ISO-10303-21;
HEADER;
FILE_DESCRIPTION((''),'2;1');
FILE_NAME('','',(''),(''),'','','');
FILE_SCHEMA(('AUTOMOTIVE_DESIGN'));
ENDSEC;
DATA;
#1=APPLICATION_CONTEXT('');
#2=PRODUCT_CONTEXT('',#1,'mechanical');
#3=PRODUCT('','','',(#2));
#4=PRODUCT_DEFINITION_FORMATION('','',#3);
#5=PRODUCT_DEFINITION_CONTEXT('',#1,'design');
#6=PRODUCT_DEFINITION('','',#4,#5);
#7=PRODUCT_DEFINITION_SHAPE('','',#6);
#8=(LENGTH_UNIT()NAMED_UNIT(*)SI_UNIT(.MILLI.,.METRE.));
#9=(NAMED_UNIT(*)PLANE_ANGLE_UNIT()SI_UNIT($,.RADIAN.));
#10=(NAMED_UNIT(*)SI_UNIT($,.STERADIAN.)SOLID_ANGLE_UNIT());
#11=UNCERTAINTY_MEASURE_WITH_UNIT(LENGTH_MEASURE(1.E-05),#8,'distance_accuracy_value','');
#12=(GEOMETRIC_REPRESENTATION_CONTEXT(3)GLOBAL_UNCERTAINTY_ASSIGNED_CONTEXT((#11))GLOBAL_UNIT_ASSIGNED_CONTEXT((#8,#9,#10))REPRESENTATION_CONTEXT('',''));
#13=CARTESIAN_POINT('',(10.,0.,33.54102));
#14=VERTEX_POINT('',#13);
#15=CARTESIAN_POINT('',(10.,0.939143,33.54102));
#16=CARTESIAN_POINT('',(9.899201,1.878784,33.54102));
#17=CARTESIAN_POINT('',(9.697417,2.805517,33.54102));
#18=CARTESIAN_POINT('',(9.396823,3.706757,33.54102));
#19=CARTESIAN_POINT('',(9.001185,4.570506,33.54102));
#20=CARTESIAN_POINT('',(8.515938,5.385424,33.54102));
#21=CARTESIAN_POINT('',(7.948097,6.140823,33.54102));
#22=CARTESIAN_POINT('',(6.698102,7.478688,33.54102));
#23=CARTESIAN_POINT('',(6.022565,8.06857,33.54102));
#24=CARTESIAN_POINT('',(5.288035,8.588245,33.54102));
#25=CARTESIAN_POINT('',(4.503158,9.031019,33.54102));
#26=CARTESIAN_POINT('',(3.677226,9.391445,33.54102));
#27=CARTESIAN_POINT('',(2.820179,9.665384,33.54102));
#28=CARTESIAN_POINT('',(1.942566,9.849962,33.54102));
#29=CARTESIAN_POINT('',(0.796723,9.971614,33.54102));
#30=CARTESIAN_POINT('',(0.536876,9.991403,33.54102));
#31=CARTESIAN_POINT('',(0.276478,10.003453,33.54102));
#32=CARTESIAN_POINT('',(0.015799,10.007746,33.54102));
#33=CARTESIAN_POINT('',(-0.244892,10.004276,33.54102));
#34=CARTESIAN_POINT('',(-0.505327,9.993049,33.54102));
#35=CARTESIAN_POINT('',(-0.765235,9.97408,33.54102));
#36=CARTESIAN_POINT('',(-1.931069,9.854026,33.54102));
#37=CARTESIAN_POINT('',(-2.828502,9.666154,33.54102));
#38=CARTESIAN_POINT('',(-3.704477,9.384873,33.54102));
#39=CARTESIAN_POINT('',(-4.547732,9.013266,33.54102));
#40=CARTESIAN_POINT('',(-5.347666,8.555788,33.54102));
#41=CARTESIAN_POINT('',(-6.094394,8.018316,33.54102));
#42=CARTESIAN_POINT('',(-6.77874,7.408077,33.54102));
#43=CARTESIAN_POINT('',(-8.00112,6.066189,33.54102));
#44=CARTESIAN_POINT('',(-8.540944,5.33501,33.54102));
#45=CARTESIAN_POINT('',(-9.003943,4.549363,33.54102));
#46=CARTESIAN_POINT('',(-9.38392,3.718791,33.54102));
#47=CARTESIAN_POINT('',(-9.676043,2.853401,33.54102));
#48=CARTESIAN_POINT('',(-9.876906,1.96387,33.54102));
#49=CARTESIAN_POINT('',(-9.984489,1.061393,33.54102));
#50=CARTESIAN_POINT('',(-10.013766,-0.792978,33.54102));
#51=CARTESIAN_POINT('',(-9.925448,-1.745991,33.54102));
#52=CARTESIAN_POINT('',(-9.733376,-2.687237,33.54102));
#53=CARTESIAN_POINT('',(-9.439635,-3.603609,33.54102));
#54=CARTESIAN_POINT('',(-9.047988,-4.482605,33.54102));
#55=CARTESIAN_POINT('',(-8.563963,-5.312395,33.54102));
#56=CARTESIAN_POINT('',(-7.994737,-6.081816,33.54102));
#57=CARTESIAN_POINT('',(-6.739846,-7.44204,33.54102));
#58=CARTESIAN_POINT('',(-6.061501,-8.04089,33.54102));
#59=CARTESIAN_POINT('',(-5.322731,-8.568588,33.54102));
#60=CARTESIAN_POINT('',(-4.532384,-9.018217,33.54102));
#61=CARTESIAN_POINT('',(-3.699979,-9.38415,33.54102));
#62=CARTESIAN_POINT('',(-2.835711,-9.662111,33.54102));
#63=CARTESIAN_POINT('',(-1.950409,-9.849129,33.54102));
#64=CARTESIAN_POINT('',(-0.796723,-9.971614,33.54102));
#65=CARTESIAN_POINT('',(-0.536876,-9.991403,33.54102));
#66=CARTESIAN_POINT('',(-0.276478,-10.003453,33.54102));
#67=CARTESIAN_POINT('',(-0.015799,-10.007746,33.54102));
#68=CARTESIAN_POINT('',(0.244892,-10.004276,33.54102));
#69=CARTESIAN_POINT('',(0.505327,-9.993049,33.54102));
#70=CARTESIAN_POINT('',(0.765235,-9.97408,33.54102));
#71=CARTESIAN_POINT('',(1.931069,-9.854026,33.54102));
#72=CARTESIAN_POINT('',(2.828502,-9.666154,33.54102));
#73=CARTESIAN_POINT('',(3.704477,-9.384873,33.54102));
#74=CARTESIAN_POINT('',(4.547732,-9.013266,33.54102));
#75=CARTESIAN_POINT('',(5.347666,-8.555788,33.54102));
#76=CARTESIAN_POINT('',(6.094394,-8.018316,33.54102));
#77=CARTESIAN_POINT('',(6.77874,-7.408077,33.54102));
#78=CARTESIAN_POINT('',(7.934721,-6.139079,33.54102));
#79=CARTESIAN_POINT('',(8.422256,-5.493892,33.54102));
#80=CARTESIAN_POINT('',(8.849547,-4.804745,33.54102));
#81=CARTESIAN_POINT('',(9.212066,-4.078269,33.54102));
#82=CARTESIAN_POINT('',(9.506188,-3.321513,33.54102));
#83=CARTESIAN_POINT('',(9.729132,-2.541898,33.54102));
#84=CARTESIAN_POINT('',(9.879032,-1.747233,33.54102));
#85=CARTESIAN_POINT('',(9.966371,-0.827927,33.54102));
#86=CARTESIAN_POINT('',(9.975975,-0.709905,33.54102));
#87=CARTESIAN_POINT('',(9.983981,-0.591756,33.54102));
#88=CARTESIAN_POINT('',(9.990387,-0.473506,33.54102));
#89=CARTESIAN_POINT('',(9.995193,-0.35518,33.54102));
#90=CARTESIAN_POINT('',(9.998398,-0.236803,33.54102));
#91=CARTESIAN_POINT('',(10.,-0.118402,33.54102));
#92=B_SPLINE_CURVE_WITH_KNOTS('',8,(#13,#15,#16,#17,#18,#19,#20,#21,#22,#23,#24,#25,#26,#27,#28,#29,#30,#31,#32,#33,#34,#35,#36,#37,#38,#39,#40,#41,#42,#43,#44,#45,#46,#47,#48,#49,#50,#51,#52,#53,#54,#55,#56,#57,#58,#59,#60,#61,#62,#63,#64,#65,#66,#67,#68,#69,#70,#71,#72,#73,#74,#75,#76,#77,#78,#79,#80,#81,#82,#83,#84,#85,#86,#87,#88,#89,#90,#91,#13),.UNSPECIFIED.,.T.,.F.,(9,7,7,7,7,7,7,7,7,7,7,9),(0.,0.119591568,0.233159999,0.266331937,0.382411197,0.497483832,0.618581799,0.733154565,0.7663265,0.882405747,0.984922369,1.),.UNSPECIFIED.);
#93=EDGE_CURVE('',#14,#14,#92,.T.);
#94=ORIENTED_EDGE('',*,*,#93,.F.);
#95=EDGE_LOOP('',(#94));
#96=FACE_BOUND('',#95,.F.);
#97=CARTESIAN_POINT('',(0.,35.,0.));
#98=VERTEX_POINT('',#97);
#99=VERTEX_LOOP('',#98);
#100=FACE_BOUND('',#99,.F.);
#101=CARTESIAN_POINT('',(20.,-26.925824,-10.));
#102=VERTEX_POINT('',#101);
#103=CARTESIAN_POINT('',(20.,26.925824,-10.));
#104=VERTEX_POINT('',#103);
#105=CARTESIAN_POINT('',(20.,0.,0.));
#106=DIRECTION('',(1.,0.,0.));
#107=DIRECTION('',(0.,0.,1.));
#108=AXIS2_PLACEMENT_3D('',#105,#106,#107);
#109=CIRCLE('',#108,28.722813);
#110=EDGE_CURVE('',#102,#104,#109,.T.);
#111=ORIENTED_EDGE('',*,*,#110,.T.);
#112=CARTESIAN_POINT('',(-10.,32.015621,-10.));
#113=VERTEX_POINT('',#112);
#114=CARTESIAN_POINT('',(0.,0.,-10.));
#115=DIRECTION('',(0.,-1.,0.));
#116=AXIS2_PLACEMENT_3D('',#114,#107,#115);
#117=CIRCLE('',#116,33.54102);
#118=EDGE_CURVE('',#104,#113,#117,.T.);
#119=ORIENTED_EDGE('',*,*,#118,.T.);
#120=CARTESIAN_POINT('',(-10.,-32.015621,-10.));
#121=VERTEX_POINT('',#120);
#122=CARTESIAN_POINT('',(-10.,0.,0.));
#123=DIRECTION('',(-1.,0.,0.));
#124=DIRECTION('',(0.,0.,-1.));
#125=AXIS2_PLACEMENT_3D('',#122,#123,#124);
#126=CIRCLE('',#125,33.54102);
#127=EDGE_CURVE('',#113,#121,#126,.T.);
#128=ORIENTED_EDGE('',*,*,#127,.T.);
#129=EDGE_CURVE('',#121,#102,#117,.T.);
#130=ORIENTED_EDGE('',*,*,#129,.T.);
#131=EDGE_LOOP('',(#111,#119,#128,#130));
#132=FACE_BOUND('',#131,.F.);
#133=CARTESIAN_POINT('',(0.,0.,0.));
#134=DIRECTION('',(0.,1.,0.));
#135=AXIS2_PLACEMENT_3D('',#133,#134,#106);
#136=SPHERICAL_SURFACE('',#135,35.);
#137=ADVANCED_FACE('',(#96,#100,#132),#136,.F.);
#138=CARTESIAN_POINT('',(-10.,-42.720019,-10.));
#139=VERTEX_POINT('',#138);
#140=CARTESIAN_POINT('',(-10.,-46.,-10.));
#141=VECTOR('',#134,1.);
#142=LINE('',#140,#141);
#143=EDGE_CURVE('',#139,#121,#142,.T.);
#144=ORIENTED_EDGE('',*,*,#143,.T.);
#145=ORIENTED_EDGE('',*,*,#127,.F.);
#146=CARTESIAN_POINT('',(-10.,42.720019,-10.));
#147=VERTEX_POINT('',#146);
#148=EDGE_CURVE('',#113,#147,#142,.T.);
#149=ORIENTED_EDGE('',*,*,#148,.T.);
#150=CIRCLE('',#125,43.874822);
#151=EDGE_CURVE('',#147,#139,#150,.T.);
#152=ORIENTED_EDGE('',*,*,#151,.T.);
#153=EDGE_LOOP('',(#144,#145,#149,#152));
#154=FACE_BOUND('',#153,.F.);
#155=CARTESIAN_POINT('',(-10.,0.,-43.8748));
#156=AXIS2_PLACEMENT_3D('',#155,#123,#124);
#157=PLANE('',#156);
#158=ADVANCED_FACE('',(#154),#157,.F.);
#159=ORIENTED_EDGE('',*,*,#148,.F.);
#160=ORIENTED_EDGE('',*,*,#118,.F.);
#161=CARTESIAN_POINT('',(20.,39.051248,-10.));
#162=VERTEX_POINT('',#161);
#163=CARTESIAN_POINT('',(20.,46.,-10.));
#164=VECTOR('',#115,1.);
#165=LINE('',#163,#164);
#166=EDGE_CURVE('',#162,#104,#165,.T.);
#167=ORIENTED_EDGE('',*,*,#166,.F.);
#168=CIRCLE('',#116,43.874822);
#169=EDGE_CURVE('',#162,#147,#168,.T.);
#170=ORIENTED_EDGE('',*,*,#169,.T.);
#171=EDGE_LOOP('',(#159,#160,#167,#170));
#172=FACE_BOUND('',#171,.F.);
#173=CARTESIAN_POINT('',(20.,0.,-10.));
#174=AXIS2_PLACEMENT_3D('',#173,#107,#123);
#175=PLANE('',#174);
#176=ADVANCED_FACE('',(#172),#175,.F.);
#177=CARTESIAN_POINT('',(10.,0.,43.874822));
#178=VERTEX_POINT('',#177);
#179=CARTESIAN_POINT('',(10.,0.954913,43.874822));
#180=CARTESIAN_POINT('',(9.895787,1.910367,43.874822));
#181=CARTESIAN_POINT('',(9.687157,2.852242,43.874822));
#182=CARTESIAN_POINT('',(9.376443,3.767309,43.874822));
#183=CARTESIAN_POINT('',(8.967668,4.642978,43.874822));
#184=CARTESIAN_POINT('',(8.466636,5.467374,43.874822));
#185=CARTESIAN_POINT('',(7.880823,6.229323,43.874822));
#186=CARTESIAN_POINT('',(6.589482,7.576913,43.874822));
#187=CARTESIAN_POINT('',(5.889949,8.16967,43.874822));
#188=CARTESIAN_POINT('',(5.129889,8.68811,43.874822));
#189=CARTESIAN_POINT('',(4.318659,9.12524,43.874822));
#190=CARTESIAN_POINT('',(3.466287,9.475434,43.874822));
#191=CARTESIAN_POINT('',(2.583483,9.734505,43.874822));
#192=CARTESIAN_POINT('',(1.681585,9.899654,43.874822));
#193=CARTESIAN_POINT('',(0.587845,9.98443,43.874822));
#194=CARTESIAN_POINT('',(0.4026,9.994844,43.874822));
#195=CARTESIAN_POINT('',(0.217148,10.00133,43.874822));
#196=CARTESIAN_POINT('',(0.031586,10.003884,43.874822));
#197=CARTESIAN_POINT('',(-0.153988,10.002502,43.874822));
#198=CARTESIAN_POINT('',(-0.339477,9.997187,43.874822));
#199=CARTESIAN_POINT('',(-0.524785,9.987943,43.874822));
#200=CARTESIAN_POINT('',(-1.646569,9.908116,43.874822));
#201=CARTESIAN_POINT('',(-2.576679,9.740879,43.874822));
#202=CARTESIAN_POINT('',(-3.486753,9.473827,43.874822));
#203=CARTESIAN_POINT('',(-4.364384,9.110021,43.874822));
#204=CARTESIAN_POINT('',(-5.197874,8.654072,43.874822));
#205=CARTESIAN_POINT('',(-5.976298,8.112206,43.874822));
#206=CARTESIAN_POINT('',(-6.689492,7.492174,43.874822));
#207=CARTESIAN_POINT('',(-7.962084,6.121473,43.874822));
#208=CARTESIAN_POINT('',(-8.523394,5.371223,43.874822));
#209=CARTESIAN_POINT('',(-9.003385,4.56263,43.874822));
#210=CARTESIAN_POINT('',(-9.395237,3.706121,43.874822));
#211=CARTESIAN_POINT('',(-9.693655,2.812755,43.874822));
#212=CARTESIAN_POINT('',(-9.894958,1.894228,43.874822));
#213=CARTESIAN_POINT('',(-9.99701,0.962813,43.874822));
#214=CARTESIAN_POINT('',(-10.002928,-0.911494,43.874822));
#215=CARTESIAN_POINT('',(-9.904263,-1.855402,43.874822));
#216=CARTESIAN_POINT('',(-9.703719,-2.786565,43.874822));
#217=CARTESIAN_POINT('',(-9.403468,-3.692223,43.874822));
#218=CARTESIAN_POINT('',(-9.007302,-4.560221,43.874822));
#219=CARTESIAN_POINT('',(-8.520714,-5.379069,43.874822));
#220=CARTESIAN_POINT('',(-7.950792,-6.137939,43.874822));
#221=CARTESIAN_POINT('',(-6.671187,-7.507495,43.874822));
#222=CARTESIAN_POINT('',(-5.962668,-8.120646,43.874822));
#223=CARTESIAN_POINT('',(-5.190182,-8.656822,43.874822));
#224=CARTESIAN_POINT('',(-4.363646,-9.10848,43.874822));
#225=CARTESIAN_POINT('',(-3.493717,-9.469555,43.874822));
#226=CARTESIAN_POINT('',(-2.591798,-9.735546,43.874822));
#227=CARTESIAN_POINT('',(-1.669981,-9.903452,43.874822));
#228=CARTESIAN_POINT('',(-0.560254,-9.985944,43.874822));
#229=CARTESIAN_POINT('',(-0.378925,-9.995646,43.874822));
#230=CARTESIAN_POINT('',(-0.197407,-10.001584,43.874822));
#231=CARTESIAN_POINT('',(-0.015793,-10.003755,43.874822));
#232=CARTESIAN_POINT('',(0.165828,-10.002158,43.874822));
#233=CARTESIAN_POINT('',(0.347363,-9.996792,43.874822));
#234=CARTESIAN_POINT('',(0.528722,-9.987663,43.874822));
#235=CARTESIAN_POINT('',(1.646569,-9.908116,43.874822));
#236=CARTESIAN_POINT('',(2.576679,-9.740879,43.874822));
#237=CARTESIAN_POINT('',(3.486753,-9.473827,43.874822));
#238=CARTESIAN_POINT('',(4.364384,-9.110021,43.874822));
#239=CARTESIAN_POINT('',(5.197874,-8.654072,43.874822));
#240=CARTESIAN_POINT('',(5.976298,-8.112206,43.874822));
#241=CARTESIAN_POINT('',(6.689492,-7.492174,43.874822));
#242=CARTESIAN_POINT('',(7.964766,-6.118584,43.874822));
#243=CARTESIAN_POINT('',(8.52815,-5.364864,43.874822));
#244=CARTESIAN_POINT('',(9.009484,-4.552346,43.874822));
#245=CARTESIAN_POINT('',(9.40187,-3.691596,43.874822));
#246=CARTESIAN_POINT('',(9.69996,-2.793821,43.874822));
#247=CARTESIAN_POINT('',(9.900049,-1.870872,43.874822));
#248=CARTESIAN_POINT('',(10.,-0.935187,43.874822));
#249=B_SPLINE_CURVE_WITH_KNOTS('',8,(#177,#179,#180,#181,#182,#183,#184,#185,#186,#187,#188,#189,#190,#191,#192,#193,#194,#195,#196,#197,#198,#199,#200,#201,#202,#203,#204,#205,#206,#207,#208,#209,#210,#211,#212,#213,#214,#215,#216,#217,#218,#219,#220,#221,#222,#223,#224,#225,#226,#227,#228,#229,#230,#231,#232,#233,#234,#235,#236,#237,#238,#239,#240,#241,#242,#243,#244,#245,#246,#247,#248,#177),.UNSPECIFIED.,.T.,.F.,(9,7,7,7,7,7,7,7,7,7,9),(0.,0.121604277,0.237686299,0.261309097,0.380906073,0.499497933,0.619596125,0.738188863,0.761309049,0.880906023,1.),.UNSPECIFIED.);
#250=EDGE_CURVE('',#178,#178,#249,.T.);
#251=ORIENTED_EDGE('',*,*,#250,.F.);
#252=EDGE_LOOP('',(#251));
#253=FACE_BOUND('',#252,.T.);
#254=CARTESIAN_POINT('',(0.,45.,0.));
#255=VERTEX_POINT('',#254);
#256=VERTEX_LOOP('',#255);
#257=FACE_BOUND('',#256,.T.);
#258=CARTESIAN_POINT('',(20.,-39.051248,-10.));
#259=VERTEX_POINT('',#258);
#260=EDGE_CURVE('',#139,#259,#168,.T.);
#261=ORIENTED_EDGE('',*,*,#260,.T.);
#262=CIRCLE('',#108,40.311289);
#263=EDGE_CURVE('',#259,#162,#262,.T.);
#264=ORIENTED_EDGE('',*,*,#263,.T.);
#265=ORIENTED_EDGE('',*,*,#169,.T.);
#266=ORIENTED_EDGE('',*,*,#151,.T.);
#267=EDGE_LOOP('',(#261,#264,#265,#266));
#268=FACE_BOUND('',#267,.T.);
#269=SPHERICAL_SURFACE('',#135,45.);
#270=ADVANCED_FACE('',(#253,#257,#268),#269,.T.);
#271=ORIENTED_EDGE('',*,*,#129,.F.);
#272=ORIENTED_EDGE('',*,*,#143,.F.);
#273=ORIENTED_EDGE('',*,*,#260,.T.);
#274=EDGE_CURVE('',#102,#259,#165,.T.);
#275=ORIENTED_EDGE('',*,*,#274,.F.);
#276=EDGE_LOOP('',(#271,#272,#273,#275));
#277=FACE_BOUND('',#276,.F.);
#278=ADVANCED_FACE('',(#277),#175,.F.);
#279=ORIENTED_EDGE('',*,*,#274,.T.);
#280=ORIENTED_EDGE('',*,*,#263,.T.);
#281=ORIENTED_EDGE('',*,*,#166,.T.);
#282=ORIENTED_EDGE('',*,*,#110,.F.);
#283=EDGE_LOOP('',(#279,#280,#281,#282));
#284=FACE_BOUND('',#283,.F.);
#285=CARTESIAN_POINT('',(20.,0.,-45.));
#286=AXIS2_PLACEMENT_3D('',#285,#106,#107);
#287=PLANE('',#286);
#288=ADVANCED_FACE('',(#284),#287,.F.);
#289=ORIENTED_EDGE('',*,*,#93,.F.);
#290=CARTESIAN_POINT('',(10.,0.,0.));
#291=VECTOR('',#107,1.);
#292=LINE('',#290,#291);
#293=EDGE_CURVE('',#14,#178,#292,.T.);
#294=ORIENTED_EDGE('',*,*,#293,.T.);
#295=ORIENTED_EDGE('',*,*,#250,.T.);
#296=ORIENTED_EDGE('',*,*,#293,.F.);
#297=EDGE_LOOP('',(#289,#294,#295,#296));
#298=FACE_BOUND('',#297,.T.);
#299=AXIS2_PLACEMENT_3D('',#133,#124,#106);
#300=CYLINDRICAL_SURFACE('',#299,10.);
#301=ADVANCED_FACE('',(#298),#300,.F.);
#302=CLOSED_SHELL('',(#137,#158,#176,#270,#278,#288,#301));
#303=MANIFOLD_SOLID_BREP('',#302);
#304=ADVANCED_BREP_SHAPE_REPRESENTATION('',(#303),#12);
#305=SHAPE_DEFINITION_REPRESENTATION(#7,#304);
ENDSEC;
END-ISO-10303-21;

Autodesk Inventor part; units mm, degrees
ref_plane "YZ Plane" through (0, 0, 0) normal (1, 0, 0) x (0, 1, 0)
ref_plane "XZ Plane" through (0, 0, 0) normal (0, 1, 0) x (-1, 0, 0)
ref_plane "XY Plane" through (0, 0, 0) normal (0, 0, 1) x (1, 0, 0)
sketch "Эскиз1" plane through (0, 0, 0) normal (0, 0, 1) x (1, 0, 0)
  arc A0 (0, -35) -> (0, 35) centre (0, 0) ccw
  arc A1 (0, -45) -> (0, 45) centre (0, 0) ccw
  line L0 (0, 45) -> (0, 35)
  line L1 (0, -45) -> (0, -35)
  line L2 (0, -63) -> (0, 63) projected
  dimension "d0" = 35
  dimension "d1" = 45
revolve "Вращение1" add sketch "Эскиз1" angle 360 about axis through (0, -10, 0) along (0, 1, 0) contours A0 L0 A1 L1
sketch "Эскиз2" plane through (0, 0, 0) normal (0, 0, 1) x (1, 0, 0)
  circle A0 centre (0, 0) radius 10
  dimension "d3" = 20
extrude "Выдавливание1" cut sketch "Эскиз2" along normal through all
sketch "Эскиз3" plane through (0, 0, 0) normal (0, 1, 0) x (-1, 0, 0)
  line L0 (10, -45) -> (-20, -45)
  line L1 (-20, -45) -> (-20, -10)
  line L2 (-20, -10) -> (10, -10)
  line L3 (10, -10) -> (10, -45)
  line L4 (-10, 43.8748) -> (10, 43.8748) projected
  line L5 (-10, 43.8748) -> (10, 43.8748) projected
  arc A0 (-10, 43.8748) -> (10, 43.8748) centre (0, 0) ccw projected
  arc A1 (-10, 43.8748) -> (10, 43.8748) centre (0, 0) ccw projected
  dimension "d6" = 30
  dimension "d7" = 10
  dimension "d8" = 10
extrude "Выдавливание2" cut sketch "Эскиз3" along normal through all both and the other way through all contours L0 A0 L3 | L0 L1 A0 | A0 L1 L2 L3
properties part number "Нар"
